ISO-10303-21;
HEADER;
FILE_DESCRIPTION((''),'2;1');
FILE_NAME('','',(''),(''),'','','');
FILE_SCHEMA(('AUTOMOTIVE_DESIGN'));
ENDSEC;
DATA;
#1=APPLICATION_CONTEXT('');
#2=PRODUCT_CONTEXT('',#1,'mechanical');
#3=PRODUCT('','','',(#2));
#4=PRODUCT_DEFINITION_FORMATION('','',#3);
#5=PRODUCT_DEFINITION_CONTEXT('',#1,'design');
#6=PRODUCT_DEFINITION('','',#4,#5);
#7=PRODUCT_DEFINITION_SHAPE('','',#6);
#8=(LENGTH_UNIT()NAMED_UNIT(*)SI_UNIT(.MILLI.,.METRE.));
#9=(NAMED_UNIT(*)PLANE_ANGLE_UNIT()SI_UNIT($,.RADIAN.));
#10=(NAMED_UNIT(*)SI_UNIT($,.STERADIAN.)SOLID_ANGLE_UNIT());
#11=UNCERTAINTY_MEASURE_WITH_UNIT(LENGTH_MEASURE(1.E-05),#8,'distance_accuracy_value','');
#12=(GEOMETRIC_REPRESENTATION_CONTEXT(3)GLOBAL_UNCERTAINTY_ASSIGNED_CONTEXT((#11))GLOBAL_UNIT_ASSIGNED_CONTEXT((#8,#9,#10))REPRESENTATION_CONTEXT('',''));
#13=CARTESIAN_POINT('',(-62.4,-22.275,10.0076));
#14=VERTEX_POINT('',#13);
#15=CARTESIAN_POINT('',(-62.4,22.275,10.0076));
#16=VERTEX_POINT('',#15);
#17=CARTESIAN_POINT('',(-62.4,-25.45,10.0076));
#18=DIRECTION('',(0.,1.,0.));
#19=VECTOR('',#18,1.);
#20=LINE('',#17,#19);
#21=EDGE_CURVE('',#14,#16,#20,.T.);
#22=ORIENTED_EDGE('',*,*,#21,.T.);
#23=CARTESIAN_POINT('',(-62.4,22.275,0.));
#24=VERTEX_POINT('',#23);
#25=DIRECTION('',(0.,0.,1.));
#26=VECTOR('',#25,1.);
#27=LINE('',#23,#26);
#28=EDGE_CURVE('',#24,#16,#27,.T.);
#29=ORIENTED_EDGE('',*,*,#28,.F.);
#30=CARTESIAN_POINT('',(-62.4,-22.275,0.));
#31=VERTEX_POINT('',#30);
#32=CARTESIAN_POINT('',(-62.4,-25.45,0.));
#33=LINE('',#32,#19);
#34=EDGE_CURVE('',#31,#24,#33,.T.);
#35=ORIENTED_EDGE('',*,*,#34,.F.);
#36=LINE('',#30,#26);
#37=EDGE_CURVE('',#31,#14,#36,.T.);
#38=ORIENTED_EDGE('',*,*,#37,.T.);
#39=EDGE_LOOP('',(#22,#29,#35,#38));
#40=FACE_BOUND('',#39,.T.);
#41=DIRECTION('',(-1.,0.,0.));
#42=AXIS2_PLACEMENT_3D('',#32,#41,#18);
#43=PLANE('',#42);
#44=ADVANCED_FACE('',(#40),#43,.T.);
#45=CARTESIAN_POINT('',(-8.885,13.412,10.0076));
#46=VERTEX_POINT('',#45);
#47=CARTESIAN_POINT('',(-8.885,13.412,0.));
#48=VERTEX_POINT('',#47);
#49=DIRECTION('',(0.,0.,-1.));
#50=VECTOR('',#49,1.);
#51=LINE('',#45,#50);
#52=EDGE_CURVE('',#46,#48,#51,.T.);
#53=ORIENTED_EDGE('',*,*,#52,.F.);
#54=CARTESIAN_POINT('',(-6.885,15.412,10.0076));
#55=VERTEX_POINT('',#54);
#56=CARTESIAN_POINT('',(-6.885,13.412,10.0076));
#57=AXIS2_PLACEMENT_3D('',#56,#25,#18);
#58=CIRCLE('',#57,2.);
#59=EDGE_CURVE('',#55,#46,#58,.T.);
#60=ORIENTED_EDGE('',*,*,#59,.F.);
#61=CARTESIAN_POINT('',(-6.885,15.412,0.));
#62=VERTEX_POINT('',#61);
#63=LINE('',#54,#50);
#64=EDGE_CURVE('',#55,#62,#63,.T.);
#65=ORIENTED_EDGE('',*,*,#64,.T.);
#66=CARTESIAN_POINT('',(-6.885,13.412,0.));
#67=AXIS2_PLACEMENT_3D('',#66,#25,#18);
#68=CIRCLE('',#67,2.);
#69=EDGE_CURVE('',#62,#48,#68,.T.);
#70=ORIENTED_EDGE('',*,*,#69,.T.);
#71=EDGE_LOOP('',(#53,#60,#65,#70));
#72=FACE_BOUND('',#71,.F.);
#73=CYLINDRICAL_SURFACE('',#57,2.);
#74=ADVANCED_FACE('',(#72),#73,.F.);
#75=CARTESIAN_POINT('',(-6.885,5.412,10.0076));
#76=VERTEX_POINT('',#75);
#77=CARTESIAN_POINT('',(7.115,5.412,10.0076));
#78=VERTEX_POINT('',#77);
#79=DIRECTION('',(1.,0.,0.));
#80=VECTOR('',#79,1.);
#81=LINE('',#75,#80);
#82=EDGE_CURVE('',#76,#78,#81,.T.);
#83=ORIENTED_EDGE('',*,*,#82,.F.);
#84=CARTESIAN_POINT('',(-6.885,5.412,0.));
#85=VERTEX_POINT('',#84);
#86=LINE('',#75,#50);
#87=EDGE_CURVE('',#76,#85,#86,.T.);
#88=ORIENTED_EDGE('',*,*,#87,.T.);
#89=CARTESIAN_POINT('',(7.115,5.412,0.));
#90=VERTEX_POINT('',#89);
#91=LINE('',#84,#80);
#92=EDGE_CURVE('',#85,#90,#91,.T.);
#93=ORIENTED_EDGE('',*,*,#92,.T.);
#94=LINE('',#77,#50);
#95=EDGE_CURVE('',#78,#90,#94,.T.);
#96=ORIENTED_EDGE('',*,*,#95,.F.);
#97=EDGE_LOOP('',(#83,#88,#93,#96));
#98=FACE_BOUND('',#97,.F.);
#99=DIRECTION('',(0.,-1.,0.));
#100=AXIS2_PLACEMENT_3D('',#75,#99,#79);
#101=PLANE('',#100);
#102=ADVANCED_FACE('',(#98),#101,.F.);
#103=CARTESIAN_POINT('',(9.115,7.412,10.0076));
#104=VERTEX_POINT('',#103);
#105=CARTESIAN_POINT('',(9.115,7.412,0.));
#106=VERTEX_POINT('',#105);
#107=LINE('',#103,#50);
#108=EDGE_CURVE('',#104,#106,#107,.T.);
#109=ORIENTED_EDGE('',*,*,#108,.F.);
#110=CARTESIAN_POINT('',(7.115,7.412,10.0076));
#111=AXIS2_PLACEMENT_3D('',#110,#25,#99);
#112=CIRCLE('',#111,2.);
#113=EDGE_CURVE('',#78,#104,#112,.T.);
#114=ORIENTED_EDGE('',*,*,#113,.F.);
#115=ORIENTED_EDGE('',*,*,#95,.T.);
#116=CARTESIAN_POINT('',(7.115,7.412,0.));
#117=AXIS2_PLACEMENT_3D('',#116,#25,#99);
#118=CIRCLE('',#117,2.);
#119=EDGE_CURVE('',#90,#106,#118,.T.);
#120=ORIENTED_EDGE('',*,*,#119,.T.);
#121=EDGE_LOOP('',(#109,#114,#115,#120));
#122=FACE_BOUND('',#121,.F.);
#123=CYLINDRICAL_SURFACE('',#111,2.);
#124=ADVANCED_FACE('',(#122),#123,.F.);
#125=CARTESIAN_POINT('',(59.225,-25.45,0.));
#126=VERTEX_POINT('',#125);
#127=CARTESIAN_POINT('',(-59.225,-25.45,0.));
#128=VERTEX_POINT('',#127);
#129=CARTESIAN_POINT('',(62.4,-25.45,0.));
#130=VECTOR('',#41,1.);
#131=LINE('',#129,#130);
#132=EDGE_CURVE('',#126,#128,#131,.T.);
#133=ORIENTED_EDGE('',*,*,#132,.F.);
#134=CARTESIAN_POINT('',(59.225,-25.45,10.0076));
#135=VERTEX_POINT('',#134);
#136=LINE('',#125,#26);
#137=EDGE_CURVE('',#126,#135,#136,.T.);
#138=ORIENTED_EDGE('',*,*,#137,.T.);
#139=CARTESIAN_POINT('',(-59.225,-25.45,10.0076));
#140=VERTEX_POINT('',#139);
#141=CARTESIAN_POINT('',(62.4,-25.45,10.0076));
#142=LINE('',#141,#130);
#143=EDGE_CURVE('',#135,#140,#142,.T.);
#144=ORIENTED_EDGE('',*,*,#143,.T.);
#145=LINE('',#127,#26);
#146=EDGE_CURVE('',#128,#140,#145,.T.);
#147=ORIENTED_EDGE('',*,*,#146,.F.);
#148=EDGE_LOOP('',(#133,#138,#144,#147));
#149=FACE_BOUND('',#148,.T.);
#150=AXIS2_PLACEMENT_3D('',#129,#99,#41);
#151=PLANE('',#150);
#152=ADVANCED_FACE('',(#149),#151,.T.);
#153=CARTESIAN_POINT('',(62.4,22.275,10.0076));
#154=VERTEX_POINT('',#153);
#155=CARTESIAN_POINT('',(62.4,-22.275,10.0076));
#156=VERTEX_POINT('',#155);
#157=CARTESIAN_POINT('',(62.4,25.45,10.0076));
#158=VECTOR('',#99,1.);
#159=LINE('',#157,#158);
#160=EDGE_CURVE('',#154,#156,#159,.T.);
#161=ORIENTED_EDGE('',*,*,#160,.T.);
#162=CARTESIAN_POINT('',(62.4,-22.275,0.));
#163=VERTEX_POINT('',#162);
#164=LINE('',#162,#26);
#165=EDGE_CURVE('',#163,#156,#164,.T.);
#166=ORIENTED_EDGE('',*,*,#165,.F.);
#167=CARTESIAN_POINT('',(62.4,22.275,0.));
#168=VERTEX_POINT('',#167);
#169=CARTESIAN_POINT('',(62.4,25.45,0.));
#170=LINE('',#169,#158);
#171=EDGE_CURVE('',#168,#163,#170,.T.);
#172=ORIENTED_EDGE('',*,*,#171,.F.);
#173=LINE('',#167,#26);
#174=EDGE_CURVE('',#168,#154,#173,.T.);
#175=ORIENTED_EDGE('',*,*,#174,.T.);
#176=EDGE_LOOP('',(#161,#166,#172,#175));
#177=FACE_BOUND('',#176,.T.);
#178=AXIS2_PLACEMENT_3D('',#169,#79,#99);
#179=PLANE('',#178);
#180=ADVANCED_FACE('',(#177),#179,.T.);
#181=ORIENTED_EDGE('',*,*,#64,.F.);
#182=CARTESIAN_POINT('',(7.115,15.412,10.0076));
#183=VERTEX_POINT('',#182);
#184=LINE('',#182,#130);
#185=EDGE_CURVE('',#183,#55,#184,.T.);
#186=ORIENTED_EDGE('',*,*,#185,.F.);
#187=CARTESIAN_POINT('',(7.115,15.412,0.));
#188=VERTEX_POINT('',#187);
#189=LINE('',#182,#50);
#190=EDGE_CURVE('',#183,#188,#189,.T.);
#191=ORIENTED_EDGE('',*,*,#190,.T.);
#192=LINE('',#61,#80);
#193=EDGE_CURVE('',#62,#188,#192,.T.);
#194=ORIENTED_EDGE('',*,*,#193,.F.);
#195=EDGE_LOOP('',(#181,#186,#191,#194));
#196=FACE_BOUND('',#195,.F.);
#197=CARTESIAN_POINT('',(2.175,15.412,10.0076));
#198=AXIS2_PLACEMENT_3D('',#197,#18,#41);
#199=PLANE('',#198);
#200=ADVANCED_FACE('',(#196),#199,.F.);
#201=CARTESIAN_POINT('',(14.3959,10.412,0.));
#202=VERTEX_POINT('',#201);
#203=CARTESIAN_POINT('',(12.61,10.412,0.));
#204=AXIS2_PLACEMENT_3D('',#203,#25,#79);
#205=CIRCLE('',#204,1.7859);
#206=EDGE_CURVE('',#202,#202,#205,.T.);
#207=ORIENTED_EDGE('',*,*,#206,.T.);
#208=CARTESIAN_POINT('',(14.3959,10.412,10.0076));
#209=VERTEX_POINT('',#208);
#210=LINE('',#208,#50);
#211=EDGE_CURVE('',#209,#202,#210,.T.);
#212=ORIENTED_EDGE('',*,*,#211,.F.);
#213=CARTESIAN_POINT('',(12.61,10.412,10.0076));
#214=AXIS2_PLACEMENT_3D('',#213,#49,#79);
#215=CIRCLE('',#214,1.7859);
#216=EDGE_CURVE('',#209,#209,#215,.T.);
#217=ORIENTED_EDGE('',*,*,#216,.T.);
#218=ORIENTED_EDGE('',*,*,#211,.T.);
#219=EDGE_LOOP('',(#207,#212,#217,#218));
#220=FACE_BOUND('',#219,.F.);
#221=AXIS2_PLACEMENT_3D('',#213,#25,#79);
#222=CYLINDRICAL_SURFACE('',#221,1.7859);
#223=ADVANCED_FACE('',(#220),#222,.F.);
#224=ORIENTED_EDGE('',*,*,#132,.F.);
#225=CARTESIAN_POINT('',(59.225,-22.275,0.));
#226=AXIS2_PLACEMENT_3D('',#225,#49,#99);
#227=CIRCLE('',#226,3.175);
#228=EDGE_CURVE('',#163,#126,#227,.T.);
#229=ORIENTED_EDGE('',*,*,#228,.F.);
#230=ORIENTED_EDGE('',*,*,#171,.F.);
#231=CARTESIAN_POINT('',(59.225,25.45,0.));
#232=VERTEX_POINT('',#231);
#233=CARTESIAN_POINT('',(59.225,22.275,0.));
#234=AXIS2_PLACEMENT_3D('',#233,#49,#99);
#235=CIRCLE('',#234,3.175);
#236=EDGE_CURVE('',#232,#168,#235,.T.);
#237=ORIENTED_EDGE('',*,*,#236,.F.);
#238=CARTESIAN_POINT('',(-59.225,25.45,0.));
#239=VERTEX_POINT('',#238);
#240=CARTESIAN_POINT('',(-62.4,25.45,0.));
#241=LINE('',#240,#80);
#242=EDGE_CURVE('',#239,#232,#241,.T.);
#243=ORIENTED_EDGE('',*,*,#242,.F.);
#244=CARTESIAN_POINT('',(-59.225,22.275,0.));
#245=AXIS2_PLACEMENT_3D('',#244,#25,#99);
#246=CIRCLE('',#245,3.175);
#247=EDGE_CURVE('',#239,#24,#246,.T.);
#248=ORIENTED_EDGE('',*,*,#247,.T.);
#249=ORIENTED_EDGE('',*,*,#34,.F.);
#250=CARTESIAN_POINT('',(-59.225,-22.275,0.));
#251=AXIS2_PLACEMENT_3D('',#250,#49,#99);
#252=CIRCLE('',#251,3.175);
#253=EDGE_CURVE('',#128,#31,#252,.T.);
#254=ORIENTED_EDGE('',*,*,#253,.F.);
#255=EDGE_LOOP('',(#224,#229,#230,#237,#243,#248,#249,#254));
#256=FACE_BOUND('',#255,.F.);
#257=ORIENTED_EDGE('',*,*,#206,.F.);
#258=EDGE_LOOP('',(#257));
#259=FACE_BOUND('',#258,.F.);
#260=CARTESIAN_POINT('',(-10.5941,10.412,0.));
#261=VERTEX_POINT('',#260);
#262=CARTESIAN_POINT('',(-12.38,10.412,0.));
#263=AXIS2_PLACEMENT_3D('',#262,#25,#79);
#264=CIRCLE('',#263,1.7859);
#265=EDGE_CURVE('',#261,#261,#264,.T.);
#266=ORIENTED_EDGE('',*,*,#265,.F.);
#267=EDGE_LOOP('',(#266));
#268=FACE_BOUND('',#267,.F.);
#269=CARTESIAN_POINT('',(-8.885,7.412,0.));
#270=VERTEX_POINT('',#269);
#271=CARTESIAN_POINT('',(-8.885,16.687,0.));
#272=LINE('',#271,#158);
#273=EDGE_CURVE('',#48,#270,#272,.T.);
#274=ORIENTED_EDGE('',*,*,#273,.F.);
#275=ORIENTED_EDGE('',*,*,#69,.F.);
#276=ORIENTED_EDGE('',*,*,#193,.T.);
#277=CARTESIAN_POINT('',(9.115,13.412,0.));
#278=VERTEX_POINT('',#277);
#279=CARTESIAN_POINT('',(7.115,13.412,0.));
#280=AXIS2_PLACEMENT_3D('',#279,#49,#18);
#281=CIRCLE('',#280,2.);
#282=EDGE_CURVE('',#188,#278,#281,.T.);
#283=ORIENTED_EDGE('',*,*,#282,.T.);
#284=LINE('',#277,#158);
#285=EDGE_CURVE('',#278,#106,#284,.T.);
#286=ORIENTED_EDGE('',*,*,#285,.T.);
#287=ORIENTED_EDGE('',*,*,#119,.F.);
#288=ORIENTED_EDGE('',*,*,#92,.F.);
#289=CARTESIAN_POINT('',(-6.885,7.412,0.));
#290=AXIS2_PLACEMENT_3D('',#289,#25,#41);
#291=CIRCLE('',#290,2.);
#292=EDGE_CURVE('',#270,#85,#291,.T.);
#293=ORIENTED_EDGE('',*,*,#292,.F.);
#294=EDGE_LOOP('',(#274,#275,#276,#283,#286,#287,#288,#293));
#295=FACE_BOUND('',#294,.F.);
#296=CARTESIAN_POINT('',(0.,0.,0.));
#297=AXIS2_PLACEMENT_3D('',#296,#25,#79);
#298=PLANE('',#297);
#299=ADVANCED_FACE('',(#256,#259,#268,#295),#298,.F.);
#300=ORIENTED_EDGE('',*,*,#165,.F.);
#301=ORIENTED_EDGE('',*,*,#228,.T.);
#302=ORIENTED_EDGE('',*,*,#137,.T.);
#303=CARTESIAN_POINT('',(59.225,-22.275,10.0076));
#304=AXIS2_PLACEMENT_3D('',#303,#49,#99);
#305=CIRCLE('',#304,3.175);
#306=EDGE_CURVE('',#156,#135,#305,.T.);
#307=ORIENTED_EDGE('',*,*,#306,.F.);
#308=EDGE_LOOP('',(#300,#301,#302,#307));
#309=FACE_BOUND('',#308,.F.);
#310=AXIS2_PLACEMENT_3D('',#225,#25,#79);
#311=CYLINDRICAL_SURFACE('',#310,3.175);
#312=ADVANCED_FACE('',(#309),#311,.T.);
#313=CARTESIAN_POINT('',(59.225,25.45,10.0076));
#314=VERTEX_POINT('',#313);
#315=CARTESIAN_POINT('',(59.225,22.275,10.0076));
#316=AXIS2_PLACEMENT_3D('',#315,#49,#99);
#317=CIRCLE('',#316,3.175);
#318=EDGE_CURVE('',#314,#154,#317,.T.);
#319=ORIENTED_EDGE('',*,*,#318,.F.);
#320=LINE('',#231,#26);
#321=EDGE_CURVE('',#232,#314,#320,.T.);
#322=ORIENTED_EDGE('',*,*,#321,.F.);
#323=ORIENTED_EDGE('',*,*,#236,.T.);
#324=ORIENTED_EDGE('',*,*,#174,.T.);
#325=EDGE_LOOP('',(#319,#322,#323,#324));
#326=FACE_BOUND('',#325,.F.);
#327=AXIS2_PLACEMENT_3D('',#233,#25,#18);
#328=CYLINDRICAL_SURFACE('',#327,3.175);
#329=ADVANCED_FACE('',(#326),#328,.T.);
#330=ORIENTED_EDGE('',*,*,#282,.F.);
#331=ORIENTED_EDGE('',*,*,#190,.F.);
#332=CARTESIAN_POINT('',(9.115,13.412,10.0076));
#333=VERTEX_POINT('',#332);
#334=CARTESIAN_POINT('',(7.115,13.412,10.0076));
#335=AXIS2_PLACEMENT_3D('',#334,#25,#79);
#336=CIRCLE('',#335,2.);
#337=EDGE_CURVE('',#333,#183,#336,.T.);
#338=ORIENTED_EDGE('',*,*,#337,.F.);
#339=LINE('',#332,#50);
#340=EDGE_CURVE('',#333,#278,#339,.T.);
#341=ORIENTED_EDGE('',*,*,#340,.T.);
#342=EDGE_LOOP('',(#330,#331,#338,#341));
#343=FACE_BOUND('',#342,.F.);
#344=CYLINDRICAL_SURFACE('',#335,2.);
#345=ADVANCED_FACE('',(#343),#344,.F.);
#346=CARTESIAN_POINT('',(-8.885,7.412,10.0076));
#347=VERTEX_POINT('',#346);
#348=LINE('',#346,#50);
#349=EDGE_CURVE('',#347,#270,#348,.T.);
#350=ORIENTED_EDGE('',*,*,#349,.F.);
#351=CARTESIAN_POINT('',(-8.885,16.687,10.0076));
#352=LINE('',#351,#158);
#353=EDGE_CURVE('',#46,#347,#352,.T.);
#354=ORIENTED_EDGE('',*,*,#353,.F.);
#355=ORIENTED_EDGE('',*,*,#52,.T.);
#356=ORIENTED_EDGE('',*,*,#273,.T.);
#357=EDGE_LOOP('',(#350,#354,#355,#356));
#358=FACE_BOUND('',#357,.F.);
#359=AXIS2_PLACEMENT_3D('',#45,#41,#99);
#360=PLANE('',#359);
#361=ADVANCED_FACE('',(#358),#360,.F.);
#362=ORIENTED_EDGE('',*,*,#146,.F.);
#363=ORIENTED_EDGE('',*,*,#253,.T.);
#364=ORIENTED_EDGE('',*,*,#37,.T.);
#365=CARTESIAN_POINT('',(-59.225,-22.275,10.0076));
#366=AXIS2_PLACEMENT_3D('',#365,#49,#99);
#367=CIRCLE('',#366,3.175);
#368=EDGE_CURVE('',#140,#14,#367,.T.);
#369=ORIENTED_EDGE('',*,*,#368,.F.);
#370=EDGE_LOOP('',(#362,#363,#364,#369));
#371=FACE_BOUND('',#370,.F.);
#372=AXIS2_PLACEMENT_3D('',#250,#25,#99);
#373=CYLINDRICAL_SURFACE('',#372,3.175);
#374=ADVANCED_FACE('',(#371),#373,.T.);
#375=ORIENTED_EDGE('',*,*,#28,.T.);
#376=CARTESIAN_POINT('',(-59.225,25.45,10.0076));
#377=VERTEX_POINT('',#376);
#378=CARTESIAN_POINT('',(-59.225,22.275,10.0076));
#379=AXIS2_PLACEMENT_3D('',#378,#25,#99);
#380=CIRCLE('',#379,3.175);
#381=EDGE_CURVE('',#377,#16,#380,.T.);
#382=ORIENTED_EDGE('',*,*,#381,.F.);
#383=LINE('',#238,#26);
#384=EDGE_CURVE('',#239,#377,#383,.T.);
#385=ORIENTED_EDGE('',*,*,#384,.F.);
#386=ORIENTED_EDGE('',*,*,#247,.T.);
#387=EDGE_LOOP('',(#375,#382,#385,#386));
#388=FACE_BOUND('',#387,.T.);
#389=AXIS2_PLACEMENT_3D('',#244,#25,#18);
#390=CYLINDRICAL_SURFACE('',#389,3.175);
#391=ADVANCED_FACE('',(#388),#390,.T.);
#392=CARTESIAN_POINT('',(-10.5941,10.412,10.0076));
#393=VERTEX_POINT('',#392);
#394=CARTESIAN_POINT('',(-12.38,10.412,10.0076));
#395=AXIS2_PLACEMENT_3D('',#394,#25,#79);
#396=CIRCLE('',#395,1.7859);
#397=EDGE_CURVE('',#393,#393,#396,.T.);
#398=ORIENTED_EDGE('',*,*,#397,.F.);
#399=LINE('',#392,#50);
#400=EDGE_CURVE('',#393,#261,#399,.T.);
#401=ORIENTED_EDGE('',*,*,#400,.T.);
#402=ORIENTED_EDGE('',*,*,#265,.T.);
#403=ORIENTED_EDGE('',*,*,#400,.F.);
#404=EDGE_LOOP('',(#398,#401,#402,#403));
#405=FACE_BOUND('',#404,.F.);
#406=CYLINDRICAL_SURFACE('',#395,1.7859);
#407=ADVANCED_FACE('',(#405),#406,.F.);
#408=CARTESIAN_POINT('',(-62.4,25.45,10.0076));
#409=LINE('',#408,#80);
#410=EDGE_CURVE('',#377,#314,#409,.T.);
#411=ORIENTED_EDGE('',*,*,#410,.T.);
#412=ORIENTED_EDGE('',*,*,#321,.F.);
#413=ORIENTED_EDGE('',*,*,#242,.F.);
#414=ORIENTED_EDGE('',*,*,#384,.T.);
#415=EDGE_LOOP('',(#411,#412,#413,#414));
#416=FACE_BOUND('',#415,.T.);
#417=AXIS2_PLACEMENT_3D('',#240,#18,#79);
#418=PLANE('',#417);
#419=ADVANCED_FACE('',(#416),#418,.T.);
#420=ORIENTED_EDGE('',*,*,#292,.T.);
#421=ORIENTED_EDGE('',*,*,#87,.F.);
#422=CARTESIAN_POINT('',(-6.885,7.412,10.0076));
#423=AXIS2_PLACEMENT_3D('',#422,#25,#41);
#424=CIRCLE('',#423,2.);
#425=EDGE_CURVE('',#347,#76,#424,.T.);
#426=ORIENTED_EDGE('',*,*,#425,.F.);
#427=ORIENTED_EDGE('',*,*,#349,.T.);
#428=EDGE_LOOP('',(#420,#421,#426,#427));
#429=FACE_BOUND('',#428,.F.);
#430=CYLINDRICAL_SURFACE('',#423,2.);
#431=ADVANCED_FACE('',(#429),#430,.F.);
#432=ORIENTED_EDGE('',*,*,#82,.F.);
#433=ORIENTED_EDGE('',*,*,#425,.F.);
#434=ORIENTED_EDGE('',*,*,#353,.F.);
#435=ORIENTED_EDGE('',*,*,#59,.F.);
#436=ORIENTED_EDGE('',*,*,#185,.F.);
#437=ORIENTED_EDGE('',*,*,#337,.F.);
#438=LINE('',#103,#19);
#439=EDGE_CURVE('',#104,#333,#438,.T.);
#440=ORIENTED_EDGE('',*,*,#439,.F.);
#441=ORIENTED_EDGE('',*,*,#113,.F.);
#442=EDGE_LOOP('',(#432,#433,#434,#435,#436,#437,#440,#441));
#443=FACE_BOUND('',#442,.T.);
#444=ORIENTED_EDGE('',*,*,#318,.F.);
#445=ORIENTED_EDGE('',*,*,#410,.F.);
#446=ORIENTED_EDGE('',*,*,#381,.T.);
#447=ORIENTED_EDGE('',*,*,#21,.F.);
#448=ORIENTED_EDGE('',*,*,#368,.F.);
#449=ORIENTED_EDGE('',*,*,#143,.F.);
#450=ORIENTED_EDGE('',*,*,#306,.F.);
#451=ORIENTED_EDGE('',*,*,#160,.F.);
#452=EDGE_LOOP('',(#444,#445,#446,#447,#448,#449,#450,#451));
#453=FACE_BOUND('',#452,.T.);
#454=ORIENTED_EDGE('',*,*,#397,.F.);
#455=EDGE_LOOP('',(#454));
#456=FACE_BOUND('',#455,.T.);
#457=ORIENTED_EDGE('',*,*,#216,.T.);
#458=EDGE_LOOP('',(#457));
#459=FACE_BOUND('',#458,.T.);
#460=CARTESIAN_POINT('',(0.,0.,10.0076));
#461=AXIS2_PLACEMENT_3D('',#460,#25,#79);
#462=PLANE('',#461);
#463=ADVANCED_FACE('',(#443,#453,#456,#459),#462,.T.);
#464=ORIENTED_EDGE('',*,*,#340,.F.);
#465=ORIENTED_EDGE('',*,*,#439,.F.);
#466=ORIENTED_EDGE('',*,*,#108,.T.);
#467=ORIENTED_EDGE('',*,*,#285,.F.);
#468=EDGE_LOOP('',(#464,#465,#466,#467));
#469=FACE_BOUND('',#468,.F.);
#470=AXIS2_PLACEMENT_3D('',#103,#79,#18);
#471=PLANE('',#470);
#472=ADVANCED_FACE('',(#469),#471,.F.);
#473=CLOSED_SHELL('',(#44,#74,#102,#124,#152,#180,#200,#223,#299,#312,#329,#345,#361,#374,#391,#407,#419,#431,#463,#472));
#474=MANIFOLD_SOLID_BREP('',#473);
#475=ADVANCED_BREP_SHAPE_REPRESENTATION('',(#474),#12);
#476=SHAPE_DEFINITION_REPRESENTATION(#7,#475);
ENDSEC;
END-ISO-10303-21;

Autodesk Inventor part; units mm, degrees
ref_plane "YZ Plane" through (0, 0, 0) normal (1, 0, 0) x (0, 1, 0)
ref_plane "XZ Plane" through (0, 0, 0) normal (0, 1, 0) x (-1, 0, 0)
ref_plane "XY Plane" through (0, 0, 0) normal (0, 0, 1) x (1, 0, 0)
sketch "Sketch1" plane through (0, 0, 0) normal (0, 0, 1) x (1, 0, 0)
  line L0 (-62.4, 25.45) -> (62.4, 25.45)
  line L1 (62.4, 25.45) -> (62.4, -25.45)
  line L2 (62.4, -25.45) -> (-62.4, -25.45)
  line L3 (-62.4, -25.45) -> (-62.4, 25.45)
  point P0 (0, 0)
  dimension "d0" = 124.8
  dimension "d1" = 50.9
  dimension "d2" = 62.4
  dimension "d3" = 25.45
extrude "Extrusion1" add sketch "Sketch1" along normal blind 10.0076
fillet "Fillet1" radius 3.175 3 edges at (62.4, 25.45, 5.0038) (62.4, -25.45, 5.0038) (-62.4, -25.45, 5.0038)
fillet "Fillet2" radius 3.175 1 edges at (-62.4, 25.45, 5.0038)
sketch "Sketch5" plane through (0, 0, 10.0076) normal (0, 0, 1) x (1, 0, 0)
  line L0 (-8.885, 4.137) -> (9.115, 4.137) projected
  line L1 (9.115, 4.137) -> (9.115, 16.687) projected
  line L2 (9.115, 16.687) -> (-8.885, 16.687) projected
  line L3 (-8.885, 16.687) -> (-8.885, 4.137) projected
  circle A0 centre (-12.38, 10.412) radius 1.7859 projected
  circle A1 centre (12.61, 10.412) radius 1.7859 projected
  circle A2 centre (26.495, 9.117) radius 6.731 projected
  line L4 (2.175, 8.737) -> (14.175, 8.737) projected
  line L5 (14.175, 8.737) -> (14.175, 16.737) projected
  line L6 (14.175, 16.737) -> (2.175, 16.737) projected
  line L7 (2.175, 16.737) -> (2.175, 8.737) projected
  line L8 (2.175, 13.737) -> (2.175, 8.737) projected
  line L9 (2.175, 8.737) -> (14.175, 8.737) projected
  line L10 (14.175, 8.737) -> (14.175, 13.737) projected
  line L11 (14.175, 13.737) -> (2.175, 13.737) projected
  line L12 (47.045, 8.237) -> (63.045, 8.237) projected
  line L13 (63.045, 8.237) -> (63.045, 16.737) projected
  line L14 (63.045, 16.737) -> (47.045, 16.737) projected
  line L15 (47.045, 16.737) -> (47.045, 8.237) projected
  arc A3 (-8.885, 7.412) -> (-6.885, 5.412) centre (-6.885, 7.412) ccw projected
  line L16 (-8.885, 13.412) -> (-8.885, 7.412) projected
  arc A4 (-6.885, 15.412) -> (-8.885, 13.412) centre (-6.885, 13.412) ccw projected
  line L17 (7.115, 15.412) -> (-6.885, 15.412) projected
  arc A5 (9.115, 13.412) -> (7.115, 15.412) centre (7.115, 13.412) ccw projected
  line L18 (9.115, 7.412) -> (9.115, 13.412) projected
  arc A6 (7.115, 5.412) -> (9.115, 7.412) centre (7.115, 7.412) ccw projected
  line L19 (-6.885, 5.412) -> (7.115, 5.412) projected
  point P0 (0, 0)
extrude "Extrusion5" cut sketch "Sketch5" against normal up to surface (10.0076 mm away) contours L3 A4 L17 L7 L4 L1 A6 L19 A3 | L4 L7 L11 A5 L1 | L4 A1 | A1 L5 L4 | L17 A5 L11 L7 | A1 L5 | A0 picked at (13.0769, 10.2632)
equation "\"d2\" = 0.5 * d0"
equation "\"d3\" = 0.5 * d1"
properties part number "back cover"
